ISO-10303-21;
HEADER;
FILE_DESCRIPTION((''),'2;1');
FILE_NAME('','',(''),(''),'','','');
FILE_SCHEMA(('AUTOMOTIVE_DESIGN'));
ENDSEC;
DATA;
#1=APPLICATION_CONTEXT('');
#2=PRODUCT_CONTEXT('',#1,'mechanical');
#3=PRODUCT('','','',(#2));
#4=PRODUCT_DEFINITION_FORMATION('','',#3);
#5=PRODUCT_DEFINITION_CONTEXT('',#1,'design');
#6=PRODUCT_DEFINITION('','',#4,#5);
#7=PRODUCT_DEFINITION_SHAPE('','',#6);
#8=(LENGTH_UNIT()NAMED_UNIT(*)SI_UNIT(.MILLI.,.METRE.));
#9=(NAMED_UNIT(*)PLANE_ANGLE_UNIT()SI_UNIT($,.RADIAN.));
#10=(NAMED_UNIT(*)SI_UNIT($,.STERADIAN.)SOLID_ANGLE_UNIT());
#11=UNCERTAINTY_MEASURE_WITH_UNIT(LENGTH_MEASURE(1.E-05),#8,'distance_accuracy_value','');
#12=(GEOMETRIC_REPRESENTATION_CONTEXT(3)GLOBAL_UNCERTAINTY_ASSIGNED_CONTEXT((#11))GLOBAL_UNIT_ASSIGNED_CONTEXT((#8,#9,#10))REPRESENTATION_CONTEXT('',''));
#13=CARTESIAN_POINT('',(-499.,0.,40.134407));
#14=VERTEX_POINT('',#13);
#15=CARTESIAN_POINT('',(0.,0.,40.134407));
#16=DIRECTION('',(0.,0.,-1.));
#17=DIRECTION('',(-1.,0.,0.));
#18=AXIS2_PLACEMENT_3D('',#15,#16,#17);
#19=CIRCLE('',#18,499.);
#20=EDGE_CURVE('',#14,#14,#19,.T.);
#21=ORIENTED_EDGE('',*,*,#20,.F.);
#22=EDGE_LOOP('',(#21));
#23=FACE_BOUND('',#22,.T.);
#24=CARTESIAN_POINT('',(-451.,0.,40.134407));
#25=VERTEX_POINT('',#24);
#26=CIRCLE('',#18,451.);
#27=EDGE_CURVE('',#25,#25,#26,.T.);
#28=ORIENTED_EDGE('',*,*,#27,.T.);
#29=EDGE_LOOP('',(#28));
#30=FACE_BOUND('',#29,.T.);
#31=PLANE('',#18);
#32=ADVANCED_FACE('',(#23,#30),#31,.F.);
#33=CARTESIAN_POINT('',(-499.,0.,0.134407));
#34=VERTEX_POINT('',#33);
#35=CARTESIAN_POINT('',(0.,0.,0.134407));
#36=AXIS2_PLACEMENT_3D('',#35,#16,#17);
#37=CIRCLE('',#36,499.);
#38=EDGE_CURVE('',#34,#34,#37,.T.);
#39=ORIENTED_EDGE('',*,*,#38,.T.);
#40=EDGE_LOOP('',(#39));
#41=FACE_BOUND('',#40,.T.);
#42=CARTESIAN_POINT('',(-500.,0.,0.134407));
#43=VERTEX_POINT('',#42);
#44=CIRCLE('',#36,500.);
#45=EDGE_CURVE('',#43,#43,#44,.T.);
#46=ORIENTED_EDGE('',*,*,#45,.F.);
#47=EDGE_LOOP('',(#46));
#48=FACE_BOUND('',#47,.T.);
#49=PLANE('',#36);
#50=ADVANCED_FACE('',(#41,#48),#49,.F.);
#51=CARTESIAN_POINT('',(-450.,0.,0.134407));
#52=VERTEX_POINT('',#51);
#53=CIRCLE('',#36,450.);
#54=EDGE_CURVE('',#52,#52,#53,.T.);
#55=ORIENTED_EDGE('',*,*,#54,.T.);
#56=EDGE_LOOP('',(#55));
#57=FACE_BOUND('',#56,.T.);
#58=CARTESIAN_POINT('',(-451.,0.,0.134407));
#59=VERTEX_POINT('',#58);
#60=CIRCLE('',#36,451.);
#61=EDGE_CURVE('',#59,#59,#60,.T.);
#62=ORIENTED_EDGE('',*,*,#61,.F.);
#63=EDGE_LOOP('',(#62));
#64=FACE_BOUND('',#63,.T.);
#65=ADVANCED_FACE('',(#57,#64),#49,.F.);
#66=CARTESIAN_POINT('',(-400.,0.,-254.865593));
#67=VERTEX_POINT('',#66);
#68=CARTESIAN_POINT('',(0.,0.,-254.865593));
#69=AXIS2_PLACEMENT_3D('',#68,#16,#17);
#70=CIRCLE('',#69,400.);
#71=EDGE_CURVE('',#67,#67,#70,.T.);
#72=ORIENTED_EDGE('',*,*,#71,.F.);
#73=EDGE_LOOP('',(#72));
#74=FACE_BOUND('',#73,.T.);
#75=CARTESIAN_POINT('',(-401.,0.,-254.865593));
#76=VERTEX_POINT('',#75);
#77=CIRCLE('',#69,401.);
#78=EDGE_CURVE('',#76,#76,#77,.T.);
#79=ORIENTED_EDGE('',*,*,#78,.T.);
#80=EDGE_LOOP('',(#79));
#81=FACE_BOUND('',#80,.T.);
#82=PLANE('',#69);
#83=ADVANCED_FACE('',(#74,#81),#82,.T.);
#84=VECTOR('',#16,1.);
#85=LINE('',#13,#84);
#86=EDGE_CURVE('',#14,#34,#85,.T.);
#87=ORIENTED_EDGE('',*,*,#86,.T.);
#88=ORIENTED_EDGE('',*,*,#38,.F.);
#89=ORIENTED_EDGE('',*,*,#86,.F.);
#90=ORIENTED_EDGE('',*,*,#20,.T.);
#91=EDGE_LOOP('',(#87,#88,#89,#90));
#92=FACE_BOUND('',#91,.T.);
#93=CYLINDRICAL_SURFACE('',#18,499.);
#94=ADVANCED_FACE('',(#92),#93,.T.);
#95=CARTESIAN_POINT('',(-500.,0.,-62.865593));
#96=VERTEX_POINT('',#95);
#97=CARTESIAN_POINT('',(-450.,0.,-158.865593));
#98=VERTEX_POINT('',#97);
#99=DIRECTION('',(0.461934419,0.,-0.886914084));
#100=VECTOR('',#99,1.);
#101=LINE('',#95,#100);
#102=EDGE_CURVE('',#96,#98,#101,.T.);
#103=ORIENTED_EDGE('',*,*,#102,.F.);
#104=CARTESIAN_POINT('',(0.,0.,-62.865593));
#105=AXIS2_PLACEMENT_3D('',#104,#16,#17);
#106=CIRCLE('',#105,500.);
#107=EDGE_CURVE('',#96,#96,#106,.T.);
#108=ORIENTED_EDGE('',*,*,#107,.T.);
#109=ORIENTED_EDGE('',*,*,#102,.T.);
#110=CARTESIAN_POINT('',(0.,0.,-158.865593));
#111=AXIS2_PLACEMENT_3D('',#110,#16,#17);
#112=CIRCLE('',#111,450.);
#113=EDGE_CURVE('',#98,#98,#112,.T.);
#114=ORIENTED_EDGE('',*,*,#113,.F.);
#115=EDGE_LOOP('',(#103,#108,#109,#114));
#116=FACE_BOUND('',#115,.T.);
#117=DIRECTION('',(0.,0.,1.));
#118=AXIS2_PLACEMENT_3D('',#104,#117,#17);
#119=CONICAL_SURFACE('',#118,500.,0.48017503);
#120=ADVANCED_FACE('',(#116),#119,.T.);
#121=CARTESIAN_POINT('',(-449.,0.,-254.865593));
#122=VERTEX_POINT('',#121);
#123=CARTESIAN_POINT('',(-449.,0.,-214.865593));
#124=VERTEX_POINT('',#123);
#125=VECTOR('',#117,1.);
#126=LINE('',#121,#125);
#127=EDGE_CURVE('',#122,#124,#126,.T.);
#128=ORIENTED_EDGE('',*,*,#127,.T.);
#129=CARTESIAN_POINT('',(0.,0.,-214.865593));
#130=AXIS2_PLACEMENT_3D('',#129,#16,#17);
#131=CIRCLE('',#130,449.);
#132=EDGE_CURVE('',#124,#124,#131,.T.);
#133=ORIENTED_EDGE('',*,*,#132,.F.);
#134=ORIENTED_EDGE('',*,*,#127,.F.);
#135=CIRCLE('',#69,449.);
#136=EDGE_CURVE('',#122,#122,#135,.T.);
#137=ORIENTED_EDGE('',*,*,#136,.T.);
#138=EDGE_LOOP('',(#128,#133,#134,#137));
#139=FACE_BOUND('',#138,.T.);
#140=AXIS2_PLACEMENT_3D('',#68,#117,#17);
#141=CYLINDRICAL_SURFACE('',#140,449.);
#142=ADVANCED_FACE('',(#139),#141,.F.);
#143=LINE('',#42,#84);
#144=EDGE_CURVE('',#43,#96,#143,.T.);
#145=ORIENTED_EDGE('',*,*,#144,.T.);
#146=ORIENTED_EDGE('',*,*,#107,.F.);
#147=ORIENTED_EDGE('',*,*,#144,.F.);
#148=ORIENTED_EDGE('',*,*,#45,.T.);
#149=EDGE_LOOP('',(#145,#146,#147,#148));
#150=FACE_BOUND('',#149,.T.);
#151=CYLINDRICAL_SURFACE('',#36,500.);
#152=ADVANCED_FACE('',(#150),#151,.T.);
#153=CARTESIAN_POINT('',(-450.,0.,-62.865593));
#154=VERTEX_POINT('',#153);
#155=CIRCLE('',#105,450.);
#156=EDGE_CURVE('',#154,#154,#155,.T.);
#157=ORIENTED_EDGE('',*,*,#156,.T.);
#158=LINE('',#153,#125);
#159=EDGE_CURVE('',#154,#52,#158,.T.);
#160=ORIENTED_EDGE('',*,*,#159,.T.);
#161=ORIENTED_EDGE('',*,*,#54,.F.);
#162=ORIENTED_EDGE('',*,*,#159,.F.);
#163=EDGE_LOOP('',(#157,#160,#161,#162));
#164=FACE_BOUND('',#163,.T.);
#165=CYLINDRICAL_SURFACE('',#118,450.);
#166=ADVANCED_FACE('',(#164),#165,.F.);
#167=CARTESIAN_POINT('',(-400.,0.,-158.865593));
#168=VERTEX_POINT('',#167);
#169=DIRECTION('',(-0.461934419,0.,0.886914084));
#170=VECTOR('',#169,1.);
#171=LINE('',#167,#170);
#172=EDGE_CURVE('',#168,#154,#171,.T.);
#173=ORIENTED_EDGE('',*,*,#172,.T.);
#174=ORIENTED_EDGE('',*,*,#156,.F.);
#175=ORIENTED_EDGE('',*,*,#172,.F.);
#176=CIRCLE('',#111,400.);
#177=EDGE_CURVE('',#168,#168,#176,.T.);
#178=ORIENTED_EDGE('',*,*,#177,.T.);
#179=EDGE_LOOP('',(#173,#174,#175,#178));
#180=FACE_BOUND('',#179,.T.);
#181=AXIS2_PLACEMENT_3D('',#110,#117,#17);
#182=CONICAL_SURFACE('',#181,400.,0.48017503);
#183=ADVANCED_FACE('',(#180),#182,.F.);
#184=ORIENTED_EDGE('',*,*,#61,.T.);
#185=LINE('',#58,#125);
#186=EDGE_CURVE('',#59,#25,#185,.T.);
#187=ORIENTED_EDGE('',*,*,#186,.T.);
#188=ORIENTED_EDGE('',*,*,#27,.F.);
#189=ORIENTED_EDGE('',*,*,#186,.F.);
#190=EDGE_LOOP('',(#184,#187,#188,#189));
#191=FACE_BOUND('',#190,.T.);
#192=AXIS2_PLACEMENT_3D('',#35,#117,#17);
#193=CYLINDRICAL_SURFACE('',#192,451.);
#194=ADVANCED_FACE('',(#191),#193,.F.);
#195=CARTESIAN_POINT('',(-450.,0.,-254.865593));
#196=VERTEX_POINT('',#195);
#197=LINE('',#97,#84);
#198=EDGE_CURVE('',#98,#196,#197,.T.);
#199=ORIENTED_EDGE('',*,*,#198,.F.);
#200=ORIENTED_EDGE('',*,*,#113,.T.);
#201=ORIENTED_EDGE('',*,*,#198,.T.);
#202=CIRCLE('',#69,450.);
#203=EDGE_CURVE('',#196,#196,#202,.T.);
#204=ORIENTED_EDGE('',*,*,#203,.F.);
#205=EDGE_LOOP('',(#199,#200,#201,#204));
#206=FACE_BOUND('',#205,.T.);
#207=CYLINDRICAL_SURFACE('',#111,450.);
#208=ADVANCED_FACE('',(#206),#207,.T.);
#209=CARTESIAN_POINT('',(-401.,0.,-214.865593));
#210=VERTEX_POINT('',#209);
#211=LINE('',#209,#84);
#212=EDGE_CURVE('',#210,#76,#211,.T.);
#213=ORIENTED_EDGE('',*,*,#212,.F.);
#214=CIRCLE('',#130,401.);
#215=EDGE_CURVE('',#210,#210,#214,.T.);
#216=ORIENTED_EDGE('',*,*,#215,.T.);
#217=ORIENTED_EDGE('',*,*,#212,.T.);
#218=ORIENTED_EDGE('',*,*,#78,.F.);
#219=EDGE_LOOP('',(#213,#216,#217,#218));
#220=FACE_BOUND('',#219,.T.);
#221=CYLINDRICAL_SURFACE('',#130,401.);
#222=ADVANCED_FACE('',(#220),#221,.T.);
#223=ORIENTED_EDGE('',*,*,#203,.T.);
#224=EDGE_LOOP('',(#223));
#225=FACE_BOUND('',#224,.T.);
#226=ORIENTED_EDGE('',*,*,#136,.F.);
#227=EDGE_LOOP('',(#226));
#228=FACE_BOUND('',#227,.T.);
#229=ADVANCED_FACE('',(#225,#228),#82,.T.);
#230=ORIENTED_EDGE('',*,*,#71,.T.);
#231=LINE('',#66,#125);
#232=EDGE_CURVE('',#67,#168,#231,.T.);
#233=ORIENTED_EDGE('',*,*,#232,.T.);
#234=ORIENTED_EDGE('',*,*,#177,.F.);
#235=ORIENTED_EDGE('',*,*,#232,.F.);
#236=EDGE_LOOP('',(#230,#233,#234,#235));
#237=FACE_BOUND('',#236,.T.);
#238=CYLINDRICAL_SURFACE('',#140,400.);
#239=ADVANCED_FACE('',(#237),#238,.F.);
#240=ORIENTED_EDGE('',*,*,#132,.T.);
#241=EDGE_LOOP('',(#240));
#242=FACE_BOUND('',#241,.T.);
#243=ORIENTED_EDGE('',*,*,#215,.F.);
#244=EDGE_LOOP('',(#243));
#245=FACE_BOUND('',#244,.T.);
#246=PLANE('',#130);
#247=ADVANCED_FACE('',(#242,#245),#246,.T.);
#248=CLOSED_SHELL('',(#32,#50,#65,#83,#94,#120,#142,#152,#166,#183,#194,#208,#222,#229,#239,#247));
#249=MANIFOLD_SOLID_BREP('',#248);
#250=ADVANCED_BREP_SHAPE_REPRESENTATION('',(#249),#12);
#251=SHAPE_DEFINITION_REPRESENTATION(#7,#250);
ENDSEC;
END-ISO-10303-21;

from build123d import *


with BuildPart() as f1:
    # F0 (on Front) → F1 (revolve)
    with BuildSketch(Plane.XZ):
        Polygon((-401, -254.865593), (-400, -254.865593), (-400, -158.865593), (-450, -62.865593), (-450, 0.134407), (-451, 0.134407), (-451, 40.134407), (-499, 40.134407), (-499, 0.134407), (-500, 0.134407), (-500, -62.865593), (-450, -158.865593), (-450, -254.865593), (-449, -254.865593), (-449, -214.865593), (-401, -214.865593), align=None)
    revolve(axis=Axis((0, 0, -0.829662), (0, 0, -1)))


solid = f1.part
